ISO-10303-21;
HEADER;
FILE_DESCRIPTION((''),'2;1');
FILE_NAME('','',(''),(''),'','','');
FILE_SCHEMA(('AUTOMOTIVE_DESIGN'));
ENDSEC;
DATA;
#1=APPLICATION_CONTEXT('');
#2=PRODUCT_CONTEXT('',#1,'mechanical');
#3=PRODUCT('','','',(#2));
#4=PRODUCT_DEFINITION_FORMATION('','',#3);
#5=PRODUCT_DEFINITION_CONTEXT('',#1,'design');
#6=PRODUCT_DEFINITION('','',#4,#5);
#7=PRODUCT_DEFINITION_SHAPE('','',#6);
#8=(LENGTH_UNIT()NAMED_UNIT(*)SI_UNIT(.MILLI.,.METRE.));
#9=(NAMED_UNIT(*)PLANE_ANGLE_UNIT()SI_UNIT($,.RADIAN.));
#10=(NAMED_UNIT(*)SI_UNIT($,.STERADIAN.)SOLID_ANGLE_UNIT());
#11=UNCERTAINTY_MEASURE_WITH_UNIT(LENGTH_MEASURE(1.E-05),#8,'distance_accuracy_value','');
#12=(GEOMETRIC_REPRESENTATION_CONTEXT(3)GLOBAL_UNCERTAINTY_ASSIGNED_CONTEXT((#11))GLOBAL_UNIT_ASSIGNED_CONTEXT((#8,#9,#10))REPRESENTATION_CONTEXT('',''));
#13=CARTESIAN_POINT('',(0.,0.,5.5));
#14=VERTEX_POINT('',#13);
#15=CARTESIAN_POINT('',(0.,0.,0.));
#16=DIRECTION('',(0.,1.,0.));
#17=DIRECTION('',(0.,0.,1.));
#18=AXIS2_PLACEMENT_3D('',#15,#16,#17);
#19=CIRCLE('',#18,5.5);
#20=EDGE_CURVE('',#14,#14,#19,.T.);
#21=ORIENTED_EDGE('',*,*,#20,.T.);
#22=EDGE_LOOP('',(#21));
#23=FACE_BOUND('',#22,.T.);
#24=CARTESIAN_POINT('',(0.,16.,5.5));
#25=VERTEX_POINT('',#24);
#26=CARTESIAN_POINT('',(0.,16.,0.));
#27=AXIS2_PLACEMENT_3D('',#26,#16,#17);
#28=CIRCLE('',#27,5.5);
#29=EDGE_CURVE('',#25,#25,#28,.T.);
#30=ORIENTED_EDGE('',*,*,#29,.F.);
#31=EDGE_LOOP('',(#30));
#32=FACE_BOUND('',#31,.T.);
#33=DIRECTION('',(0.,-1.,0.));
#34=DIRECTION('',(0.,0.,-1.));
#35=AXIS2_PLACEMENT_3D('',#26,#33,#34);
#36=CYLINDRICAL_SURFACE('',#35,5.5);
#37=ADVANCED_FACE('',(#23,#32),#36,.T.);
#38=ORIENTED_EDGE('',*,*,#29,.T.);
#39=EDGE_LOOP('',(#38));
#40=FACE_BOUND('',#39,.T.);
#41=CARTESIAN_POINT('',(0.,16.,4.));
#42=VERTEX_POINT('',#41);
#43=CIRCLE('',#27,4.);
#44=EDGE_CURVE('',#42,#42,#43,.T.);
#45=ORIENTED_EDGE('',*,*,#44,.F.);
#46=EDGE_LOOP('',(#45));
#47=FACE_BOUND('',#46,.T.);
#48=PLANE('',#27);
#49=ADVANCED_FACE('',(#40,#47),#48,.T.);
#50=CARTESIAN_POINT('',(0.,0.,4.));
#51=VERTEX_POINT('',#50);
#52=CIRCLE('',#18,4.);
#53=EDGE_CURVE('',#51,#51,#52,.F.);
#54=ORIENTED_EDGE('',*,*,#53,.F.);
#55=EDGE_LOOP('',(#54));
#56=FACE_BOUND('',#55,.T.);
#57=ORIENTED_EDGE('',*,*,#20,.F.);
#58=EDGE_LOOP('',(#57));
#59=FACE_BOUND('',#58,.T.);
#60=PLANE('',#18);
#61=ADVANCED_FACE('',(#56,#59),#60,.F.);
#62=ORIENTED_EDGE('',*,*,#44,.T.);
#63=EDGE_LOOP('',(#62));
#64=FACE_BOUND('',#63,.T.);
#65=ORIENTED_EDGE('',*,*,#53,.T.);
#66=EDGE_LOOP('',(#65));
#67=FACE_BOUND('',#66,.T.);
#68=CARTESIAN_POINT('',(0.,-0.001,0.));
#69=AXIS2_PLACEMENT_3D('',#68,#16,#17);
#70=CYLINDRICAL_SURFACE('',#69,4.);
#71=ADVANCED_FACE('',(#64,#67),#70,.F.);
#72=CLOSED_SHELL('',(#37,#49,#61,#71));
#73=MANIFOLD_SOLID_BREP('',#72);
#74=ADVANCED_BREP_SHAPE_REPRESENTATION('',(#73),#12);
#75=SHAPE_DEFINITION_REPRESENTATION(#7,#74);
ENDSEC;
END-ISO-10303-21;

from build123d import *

# Parameters (mm, degrees)
CROQUIS2_R              = 5.5
SALIENTE_EXTRUIR2_DEPTH = 16
CORTAR_EXTRUIR1_REACH   = 19.79
CROQUIS3_R              = 4


with BuildPart() as part:
    # Croquis2 → Saliente-Extruir2 (new body)
    with BuildSketch(Plane(origin=(0, 0, 0), x_dir=(1, 0, 0), z_dir=(0, 1, 0))):
        with Locations(Location((0, 0, 0), (0, 0, 270))):
            Circle(CROQUIS2_R)
    extrude(amount=SALIENTE_EXTRUIR2_DEPTH)

    # Croquis3 → Cortar-Extruir1 (cut, up to next)
    with BuildSketch(Plane(origin=(0, 16, 0), x_dir=(1, 0, 0), z_dir=(0, 1, 0)), mode=Mode.PRIVATE) as cortar_extruir1_sk1:
        with Locations(Location((0, 0, 0), (0, 0, 270))):
            Circle(CROQUIS3_R)
    cortar_extruir1_tool1 = extrude(cortar_extruir1_sk1.sketch, amount=-CORTAR_EXTRUIR1_REACH, mode=Mode.PRIVATE) & part.part
    add(cortar_extruir1_tool1.solids().sort_by_distance((0, 16, 0))[0], mode=Mode.SUBTRACT)


solid = part.part
